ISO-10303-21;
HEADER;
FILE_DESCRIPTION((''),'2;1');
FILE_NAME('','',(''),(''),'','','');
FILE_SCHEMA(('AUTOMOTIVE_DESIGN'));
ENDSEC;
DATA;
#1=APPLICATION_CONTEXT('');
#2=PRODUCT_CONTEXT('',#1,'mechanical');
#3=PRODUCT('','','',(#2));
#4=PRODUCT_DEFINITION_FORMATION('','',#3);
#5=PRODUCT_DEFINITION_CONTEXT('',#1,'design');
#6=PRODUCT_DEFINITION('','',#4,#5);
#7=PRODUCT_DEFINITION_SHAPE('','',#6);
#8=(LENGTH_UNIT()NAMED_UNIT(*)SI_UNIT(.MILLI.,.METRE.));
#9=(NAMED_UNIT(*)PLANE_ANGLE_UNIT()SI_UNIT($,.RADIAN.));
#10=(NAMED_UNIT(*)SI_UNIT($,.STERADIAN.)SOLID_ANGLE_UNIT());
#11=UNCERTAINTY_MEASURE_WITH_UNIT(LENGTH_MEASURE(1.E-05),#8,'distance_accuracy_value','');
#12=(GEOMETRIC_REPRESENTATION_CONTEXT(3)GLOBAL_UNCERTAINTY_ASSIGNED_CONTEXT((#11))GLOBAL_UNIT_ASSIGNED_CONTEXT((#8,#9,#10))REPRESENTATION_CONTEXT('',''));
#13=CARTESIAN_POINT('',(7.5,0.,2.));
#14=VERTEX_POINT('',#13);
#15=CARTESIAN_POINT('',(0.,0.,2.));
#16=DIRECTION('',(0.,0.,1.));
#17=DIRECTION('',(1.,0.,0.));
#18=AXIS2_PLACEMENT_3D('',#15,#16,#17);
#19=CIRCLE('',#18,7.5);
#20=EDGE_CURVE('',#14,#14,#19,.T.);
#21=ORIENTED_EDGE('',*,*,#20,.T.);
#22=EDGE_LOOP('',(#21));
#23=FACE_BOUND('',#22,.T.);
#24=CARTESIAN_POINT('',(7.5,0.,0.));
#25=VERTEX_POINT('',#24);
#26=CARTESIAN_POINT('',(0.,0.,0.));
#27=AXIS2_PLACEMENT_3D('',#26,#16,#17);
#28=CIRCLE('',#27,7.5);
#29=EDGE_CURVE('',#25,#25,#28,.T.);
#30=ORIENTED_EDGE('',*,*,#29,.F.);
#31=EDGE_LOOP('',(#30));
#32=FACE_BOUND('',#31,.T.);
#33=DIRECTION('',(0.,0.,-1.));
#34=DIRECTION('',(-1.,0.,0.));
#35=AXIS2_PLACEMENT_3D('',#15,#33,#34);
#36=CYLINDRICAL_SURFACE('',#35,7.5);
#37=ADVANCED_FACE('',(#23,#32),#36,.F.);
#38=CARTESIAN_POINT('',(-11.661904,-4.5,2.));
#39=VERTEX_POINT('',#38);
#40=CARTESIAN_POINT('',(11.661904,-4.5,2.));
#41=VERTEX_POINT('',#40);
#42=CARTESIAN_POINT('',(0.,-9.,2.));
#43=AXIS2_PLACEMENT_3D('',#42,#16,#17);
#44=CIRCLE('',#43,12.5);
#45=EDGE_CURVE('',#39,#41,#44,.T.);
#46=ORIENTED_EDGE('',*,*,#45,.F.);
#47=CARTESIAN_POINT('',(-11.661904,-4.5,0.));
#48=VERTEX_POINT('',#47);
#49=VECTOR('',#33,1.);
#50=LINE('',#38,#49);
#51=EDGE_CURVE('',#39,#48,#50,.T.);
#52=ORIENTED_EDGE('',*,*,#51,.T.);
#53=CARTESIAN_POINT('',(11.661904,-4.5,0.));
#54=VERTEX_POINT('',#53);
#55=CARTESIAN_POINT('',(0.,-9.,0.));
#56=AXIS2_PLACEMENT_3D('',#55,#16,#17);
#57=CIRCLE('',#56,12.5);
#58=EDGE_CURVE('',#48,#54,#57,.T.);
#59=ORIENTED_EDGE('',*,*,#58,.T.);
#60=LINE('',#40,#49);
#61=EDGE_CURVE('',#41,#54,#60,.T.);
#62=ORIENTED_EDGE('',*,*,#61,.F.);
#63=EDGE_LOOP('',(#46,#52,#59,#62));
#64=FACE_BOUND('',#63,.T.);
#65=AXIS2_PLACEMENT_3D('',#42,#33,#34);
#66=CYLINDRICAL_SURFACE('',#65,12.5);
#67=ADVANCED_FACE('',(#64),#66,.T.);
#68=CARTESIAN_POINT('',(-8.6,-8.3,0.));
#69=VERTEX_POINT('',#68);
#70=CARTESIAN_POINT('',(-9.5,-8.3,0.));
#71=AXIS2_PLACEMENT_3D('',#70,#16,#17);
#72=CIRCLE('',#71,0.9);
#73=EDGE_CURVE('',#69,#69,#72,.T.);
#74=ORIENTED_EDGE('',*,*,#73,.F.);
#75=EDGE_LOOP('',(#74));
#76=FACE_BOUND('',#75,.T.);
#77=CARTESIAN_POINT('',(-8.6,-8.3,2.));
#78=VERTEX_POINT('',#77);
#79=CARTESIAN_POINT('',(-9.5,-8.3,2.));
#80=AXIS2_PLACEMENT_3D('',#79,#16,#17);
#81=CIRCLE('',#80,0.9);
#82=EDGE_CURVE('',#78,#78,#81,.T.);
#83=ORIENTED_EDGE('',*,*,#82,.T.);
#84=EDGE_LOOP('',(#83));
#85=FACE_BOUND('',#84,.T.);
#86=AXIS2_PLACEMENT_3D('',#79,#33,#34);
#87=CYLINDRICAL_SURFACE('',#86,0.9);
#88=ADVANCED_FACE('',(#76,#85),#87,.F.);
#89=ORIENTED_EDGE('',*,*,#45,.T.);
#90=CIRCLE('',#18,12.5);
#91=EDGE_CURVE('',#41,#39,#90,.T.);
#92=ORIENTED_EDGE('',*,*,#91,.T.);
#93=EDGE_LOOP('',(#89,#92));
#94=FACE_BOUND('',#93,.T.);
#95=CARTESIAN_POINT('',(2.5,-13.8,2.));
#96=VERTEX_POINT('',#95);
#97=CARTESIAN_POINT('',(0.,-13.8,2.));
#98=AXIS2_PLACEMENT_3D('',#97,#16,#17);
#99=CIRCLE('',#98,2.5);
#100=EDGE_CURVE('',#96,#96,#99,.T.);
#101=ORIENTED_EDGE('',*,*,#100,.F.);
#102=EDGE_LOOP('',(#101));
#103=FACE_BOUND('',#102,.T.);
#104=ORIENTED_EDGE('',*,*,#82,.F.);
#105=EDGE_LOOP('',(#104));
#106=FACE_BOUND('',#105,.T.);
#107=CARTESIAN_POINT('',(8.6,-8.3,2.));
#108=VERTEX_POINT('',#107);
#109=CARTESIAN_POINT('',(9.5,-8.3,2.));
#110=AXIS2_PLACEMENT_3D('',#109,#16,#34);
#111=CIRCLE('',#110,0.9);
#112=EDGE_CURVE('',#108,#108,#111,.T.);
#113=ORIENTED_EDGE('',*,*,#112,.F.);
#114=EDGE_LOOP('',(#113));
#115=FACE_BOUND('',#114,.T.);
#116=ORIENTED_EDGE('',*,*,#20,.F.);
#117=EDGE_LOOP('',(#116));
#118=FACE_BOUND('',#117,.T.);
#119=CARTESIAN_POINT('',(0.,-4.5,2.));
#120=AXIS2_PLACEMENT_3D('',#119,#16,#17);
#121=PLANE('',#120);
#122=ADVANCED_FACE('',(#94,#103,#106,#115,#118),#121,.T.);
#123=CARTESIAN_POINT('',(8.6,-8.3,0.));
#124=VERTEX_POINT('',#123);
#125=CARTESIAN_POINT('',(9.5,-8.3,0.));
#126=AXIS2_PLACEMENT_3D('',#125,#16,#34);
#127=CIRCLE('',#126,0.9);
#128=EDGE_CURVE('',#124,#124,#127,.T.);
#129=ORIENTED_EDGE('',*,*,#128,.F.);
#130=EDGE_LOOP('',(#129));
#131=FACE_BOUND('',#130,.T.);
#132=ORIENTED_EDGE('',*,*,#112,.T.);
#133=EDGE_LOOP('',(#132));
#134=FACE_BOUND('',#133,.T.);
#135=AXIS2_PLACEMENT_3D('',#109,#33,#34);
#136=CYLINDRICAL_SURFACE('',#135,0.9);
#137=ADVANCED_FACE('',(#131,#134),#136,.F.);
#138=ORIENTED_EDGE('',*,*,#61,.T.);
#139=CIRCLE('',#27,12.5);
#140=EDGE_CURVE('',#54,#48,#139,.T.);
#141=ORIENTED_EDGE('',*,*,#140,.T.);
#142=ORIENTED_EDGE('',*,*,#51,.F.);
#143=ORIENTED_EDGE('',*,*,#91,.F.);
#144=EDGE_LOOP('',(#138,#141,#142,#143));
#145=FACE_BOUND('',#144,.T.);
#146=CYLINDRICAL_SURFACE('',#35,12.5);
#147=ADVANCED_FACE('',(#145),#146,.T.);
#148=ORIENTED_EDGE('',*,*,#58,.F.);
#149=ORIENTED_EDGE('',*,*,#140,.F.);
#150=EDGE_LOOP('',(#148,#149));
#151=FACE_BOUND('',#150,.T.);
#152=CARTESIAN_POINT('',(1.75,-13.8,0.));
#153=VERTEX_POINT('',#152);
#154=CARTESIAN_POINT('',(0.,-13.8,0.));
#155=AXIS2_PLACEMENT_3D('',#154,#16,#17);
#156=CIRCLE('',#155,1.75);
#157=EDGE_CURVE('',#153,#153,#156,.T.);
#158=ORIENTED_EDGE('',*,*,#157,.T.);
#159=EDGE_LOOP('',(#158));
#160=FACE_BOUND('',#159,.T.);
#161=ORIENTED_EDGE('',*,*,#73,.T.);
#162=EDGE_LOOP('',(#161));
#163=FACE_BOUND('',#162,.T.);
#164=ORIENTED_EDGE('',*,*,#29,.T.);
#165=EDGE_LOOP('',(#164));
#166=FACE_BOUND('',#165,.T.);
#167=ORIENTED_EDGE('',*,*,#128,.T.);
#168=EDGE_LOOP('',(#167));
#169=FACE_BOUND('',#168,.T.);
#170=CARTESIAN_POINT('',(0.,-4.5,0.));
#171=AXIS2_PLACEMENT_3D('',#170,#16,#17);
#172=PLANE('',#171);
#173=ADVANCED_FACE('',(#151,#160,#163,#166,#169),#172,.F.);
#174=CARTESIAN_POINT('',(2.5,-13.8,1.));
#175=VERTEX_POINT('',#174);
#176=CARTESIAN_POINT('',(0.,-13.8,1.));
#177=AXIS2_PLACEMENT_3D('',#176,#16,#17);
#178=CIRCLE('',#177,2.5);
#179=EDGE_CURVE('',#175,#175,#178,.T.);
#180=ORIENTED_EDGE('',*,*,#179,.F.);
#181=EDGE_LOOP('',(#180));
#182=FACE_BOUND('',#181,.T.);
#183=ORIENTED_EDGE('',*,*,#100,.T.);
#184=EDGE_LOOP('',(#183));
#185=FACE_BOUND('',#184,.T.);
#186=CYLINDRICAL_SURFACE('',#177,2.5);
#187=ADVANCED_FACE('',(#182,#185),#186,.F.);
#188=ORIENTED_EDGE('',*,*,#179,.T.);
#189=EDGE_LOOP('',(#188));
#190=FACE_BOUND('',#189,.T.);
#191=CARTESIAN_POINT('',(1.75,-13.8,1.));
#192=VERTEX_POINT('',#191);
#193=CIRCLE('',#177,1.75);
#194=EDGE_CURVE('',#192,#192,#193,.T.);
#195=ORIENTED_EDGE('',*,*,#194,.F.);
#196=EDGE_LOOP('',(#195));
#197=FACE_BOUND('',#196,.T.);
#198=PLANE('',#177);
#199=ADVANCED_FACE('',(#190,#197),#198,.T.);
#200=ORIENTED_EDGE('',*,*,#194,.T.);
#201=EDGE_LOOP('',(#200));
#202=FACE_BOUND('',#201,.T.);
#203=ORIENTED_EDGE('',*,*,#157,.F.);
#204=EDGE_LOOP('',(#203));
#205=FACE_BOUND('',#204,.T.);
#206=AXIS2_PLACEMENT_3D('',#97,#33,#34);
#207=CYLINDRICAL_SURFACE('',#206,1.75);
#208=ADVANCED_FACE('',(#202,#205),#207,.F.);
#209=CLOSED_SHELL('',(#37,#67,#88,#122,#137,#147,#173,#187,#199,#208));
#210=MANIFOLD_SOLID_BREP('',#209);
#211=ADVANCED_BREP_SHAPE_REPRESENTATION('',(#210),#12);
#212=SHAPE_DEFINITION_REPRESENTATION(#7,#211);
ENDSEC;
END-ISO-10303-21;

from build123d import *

# Parameters (mm, degrees)
SKETCH_1_R          = 7.5
SKETCH_1_R_2        = 1.75
SKETCH_1_R_3        = 0.9
EXTRUDE_1_DEPTH     = 2
SKETCH_2_R          = 2.5
CUT_EXTRUDE_1_DEPTH = 1


with BuildPart() as part:
    # 草图1 → 凸台-拉伸1 (new body)
    with BuildSketch(Plane.XY):
        with BuildLine():
            ThreePointArc((11.66190379, -4.5), (0, 12.5), (-11.66190379, -4.5))
            ThreePointArc((-11.66190379, -4.5), (0, -21.5), (11.66190379, -4.5))
        make_face()
        Circle(SKETCH_1_R, mode=Mode.SUBTRACT)
        with Locations((0, -13.8)):
            Circle(SKETCH_1_R_2, mode=Mode.SUBTRACT)
        with Locations((-9.5, -8.3)):
            Circle(SKETCH_1_R_3, mode=Mode.SUBTRACT)
        with Locations((9.5, -8.3)):
            Circle(SKETCH_1_R_3, mode=Mode.SUBTRACT)
    extrude(amount=EXTRUDE_1_DEPTH)

    # 草图2 → 切除-拉伸1 (cut)
    with BuildSketch(Plane.XY.offset(2)):
        with Locations((0, -13.8)):
            Circle(SKETCH_2_R)
    extrude(amount=-CUT_EXTRUDE_1_DEPTH, mode=Mode.SUBTRACT)


solid = part.part
